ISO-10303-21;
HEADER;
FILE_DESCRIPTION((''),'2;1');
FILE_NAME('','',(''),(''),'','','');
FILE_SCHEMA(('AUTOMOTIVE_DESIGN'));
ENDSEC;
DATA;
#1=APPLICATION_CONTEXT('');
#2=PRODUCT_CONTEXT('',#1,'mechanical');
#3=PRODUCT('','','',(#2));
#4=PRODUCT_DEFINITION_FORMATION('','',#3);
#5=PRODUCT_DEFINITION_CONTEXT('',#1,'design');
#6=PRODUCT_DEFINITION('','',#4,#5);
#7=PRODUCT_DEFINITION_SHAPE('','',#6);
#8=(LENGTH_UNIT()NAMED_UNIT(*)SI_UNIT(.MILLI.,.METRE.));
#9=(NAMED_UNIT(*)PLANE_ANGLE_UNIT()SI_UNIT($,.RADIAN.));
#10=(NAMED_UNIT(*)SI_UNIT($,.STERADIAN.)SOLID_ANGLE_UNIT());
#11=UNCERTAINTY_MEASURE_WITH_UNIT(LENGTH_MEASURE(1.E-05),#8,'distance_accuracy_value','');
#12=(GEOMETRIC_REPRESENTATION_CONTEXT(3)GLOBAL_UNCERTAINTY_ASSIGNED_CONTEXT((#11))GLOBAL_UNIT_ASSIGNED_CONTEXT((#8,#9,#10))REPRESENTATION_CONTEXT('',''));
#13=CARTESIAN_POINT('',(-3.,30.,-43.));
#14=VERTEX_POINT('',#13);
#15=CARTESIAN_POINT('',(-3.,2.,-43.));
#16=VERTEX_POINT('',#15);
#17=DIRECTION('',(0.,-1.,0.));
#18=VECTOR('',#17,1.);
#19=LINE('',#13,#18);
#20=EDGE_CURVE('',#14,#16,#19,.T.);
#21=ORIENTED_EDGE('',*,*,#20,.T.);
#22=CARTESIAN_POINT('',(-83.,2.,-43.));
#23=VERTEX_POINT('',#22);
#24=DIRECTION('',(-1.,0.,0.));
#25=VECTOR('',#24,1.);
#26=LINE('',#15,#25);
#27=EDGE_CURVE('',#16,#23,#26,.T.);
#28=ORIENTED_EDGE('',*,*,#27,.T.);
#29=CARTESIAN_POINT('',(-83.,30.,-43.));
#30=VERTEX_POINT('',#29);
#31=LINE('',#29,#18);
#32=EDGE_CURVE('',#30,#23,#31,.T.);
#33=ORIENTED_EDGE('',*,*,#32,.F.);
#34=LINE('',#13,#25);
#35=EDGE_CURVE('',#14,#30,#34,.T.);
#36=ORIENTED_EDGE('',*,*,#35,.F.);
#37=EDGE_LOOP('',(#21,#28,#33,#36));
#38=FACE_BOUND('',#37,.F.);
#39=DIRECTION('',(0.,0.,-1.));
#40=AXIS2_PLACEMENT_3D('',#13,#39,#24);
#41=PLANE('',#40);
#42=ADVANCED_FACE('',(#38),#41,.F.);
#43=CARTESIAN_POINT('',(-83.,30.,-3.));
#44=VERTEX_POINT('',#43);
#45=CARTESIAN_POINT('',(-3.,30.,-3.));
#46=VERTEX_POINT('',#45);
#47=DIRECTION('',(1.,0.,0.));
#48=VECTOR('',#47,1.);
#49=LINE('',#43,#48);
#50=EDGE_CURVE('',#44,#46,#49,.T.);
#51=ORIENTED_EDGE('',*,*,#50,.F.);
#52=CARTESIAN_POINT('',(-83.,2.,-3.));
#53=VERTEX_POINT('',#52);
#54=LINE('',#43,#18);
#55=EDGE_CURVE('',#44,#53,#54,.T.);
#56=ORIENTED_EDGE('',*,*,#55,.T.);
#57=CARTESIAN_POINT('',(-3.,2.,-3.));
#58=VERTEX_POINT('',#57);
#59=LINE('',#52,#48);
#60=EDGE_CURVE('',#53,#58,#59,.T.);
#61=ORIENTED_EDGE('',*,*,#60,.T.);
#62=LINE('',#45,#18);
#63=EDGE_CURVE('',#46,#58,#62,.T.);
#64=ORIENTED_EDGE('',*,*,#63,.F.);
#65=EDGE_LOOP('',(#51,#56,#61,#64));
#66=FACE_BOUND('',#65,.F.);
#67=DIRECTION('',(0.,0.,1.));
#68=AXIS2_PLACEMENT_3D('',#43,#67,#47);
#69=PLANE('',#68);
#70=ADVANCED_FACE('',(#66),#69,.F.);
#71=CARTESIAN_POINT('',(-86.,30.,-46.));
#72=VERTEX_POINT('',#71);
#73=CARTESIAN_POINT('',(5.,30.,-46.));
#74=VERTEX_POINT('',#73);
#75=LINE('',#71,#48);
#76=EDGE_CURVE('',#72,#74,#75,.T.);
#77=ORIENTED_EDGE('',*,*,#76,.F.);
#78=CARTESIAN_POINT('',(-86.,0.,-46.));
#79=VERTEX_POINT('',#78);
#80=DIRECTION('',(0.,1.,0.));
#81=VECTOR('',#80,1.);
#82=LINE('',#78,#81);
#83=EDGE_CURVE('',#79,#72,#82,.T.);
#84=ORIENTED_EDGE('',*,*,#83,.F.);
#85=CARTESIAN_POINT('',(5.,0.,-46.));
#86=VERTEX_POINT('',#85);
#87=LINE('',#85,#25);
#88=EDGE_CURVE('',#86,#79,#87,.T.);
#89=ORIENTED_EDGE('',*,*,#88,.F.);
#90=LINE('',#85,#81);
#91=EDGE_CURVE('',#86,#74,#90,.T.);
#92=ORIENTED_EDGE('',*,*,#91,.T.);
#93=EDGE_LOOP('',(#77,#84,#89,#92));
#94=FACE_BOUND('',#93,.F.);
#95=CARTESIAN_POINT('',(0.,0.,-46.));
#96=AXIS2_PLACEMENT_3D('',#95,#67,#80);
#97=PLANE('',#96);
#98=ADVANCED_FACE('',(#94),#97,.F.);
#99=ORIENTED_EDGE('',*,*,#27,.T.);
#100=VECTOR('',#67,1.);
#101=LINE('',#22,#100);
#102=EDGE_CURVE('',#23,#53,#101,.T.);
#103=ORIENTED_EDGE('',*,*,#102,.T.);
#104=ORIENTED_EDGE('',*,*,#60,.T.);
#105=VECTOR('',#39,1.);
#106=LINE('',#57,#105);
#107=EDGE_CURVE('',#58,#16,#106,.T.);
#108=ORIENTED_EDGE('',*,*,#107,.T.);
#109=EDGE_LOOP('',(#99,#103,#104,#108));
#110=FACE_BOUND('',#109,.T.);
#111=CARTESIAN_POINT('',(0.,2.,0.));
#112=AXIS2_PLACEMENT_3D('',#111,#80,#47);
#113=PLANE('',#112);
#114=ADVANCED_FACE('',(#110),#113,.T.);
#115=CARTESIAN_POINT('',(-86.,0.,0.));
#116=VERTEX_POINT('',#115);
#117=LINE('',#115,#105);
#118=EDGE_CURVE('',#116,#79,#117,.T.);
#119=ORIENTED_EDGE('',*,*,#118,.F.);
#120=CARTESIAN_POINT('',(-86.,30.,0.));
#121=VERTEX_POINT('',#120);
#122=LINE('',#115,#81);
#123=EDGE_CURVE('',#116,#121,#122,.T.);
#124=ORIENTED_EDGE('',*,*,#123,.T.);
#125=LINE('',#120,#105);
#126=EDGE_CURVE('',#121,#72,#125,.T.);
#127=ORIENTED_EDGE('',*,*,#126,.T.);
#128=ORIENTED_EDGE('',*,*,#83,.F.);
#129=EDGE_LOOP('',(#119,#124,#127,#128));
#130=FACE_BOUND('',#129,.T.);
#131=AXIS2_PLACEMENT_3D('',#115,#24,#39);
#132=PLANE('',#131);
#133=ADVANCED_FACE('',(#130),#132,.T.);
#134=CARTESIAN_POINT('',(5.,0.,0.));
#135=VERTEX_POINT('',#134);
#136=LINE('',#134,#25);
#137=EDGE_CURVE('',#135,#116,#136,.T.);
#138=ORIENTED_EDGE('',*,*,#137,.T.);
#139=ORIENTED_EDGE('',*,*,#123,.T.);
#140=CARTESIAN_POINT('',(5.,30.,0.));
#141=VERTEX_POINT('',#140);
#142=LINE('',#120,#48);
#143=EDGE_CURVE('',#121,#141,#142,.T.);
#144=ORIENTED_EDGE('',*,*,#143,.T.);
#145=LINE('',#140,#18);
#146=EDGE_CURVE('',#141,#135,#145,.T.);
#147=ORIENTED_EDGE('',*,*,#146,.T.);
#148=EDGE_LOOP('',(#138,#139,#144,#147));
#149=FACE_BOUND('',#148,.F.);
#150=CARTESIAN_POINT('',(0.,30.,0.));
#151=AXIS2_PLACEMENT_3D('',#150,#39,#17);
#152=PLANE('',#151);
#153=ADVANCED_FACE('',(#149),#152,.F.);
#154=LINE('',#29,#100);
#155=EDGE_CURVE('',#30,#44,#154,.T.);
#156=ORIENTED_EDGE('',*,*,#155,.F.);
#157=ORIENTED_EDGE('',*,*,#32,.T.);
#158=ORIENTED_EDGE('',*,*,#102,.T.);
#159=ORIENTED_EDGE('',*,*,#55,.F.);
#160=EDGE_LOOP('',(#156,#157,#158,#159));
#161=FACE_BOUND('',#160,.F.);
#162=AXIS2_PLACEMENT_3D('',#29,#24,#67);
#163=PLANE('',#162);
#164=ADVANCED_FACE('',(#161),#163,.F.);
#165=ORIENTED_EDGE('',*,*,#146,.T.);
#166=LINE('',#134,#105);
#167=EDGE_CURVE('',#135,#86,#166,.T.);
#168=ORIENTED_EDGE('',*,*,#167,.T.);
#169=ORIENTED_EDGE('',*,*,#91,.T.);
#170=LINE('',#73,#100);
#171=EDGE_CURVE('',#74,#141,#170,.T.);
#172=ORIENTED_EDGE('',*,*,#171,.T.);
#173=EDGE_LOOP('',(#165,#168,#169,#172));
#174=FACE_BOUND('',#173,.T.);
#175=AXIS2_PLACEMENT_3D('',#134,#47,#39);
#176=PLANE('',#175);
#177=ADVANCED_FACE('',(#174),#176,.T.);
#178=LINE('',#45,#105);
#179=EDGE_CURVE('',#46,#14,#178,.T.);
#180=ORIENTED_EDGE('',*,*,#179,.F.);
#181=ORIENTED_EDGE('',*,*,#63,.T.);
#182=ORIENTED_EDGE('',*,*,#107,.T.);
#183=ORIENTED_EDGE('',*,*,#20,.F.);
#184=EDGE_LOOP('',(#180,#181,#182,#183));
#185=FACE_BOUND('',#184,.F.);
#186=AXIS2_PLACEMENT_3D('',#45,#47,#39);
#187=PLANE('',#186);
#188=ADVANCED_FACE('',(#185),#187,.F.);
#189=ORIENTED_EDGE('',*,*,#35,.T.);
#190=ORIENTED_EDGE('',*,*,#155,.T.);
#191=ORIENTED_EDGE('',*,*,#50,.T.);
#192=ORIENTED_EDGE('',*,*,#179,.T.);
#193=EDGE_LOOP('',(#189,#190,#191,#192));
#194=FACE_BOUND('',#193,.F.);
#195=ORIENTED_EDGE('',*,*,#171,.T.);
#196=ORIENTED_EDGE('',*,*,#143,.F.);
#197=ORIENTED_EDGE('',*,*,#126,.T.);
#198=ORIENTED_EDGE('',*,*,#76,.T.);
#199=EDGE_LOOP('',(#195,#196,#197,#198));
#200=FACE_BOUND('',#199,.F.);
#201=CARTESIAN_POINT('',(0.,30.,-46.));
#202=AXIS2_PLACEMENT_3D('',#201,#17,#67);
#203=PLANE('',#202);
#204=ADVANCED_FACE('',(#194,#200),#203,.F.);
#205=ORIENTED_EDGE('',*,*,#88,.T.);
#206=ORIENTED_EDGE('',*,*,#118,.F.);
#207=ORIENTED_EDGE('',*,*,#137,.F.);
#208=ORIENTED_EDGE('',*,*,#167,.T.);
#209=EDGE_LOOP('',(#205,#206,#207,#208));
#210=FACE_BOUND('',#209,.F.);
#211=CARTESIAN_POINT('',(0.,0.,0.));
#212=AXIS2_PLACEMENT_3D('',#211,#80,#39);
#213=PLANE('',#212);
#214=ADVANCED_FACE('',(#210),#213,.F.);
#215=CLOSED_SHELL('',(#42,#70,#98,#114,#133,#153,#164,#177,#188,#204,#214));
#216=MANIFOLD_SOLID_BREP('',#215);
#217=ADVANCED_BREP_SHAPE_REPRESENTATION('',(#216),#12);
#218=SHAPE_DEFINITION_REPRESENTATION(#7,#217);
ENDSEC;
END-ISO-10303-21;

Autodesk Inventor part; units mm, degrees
ref_plane "YZ Plane" through (0, 0, 0) normal (1, 0, 0) x (0, 1, 0)
ref_plane "XZ Plane" through (0, 0, 0) normal (0, 1, 0) x (-1, 0, 0)
ref_plane "XY Plane" through (0, 0, 0) normal (0, 0, 1) x (1, 0, 0)
sketch "スケッチ1" plane through (0, 0, 0) normal (0, 1, 0) x (-1, 0, 0)
  line L0 (0, 0) -> (86, 0)
  line L1 (86, 0) -> (86, -46)
  line L2 (86, -46) -> (0, -46)
  line L3 (0, -46) -> (0, 0)
  dimension "d0" = 86
  dimension "d1" = 46
extrude "押し出し1" add sketch "スケッチ1" along normal blind 30
sketch "スケッチ2" plane through (0, 30, 0) normal (0, 1, 0) x (1, 0, 0)
  line L0 (-83, 3) -> (-3, 3)
  line L1 (-3, 3) -> (-3, 43)
  line L2 (-3, 43) -> (-83, 43)
  line L3 (-83, 43) -> (-83, 3)
  line L4 (-86, 46) -> (-86, 0) projected
  line L5 (-86, 0) -> (0, 0) projected
  point P0 (-83, 23)
  point P1 (-86, 23)
  point P2 (-43, 3)
  point P3 (-43, 0)
  dimension "d4" = 80
  dimension "d5" = 40
extrude "押し出し2" cut sketch "スケッチ2" against normal blind 28
sketch "スケッチ3" plane through (0, 0, 0) normal (1, 0, 0) x (0, 0, -1)
  line L0 (46, 30) -> (0, 30)
  line L1 (0, 30) -> (0, 0)
  line L2 (0, 0) -> (46, 0)
  line L3 (46, 0) -> (46, 30)
extrude "押し出し3" add sketch "スケッチ3" along normal blind 5
sketch "スケッチ4" plane through (5, 0, 0) normal (1, 0, 0) x (0, 0, -1)
  point P0 (0, 0)
